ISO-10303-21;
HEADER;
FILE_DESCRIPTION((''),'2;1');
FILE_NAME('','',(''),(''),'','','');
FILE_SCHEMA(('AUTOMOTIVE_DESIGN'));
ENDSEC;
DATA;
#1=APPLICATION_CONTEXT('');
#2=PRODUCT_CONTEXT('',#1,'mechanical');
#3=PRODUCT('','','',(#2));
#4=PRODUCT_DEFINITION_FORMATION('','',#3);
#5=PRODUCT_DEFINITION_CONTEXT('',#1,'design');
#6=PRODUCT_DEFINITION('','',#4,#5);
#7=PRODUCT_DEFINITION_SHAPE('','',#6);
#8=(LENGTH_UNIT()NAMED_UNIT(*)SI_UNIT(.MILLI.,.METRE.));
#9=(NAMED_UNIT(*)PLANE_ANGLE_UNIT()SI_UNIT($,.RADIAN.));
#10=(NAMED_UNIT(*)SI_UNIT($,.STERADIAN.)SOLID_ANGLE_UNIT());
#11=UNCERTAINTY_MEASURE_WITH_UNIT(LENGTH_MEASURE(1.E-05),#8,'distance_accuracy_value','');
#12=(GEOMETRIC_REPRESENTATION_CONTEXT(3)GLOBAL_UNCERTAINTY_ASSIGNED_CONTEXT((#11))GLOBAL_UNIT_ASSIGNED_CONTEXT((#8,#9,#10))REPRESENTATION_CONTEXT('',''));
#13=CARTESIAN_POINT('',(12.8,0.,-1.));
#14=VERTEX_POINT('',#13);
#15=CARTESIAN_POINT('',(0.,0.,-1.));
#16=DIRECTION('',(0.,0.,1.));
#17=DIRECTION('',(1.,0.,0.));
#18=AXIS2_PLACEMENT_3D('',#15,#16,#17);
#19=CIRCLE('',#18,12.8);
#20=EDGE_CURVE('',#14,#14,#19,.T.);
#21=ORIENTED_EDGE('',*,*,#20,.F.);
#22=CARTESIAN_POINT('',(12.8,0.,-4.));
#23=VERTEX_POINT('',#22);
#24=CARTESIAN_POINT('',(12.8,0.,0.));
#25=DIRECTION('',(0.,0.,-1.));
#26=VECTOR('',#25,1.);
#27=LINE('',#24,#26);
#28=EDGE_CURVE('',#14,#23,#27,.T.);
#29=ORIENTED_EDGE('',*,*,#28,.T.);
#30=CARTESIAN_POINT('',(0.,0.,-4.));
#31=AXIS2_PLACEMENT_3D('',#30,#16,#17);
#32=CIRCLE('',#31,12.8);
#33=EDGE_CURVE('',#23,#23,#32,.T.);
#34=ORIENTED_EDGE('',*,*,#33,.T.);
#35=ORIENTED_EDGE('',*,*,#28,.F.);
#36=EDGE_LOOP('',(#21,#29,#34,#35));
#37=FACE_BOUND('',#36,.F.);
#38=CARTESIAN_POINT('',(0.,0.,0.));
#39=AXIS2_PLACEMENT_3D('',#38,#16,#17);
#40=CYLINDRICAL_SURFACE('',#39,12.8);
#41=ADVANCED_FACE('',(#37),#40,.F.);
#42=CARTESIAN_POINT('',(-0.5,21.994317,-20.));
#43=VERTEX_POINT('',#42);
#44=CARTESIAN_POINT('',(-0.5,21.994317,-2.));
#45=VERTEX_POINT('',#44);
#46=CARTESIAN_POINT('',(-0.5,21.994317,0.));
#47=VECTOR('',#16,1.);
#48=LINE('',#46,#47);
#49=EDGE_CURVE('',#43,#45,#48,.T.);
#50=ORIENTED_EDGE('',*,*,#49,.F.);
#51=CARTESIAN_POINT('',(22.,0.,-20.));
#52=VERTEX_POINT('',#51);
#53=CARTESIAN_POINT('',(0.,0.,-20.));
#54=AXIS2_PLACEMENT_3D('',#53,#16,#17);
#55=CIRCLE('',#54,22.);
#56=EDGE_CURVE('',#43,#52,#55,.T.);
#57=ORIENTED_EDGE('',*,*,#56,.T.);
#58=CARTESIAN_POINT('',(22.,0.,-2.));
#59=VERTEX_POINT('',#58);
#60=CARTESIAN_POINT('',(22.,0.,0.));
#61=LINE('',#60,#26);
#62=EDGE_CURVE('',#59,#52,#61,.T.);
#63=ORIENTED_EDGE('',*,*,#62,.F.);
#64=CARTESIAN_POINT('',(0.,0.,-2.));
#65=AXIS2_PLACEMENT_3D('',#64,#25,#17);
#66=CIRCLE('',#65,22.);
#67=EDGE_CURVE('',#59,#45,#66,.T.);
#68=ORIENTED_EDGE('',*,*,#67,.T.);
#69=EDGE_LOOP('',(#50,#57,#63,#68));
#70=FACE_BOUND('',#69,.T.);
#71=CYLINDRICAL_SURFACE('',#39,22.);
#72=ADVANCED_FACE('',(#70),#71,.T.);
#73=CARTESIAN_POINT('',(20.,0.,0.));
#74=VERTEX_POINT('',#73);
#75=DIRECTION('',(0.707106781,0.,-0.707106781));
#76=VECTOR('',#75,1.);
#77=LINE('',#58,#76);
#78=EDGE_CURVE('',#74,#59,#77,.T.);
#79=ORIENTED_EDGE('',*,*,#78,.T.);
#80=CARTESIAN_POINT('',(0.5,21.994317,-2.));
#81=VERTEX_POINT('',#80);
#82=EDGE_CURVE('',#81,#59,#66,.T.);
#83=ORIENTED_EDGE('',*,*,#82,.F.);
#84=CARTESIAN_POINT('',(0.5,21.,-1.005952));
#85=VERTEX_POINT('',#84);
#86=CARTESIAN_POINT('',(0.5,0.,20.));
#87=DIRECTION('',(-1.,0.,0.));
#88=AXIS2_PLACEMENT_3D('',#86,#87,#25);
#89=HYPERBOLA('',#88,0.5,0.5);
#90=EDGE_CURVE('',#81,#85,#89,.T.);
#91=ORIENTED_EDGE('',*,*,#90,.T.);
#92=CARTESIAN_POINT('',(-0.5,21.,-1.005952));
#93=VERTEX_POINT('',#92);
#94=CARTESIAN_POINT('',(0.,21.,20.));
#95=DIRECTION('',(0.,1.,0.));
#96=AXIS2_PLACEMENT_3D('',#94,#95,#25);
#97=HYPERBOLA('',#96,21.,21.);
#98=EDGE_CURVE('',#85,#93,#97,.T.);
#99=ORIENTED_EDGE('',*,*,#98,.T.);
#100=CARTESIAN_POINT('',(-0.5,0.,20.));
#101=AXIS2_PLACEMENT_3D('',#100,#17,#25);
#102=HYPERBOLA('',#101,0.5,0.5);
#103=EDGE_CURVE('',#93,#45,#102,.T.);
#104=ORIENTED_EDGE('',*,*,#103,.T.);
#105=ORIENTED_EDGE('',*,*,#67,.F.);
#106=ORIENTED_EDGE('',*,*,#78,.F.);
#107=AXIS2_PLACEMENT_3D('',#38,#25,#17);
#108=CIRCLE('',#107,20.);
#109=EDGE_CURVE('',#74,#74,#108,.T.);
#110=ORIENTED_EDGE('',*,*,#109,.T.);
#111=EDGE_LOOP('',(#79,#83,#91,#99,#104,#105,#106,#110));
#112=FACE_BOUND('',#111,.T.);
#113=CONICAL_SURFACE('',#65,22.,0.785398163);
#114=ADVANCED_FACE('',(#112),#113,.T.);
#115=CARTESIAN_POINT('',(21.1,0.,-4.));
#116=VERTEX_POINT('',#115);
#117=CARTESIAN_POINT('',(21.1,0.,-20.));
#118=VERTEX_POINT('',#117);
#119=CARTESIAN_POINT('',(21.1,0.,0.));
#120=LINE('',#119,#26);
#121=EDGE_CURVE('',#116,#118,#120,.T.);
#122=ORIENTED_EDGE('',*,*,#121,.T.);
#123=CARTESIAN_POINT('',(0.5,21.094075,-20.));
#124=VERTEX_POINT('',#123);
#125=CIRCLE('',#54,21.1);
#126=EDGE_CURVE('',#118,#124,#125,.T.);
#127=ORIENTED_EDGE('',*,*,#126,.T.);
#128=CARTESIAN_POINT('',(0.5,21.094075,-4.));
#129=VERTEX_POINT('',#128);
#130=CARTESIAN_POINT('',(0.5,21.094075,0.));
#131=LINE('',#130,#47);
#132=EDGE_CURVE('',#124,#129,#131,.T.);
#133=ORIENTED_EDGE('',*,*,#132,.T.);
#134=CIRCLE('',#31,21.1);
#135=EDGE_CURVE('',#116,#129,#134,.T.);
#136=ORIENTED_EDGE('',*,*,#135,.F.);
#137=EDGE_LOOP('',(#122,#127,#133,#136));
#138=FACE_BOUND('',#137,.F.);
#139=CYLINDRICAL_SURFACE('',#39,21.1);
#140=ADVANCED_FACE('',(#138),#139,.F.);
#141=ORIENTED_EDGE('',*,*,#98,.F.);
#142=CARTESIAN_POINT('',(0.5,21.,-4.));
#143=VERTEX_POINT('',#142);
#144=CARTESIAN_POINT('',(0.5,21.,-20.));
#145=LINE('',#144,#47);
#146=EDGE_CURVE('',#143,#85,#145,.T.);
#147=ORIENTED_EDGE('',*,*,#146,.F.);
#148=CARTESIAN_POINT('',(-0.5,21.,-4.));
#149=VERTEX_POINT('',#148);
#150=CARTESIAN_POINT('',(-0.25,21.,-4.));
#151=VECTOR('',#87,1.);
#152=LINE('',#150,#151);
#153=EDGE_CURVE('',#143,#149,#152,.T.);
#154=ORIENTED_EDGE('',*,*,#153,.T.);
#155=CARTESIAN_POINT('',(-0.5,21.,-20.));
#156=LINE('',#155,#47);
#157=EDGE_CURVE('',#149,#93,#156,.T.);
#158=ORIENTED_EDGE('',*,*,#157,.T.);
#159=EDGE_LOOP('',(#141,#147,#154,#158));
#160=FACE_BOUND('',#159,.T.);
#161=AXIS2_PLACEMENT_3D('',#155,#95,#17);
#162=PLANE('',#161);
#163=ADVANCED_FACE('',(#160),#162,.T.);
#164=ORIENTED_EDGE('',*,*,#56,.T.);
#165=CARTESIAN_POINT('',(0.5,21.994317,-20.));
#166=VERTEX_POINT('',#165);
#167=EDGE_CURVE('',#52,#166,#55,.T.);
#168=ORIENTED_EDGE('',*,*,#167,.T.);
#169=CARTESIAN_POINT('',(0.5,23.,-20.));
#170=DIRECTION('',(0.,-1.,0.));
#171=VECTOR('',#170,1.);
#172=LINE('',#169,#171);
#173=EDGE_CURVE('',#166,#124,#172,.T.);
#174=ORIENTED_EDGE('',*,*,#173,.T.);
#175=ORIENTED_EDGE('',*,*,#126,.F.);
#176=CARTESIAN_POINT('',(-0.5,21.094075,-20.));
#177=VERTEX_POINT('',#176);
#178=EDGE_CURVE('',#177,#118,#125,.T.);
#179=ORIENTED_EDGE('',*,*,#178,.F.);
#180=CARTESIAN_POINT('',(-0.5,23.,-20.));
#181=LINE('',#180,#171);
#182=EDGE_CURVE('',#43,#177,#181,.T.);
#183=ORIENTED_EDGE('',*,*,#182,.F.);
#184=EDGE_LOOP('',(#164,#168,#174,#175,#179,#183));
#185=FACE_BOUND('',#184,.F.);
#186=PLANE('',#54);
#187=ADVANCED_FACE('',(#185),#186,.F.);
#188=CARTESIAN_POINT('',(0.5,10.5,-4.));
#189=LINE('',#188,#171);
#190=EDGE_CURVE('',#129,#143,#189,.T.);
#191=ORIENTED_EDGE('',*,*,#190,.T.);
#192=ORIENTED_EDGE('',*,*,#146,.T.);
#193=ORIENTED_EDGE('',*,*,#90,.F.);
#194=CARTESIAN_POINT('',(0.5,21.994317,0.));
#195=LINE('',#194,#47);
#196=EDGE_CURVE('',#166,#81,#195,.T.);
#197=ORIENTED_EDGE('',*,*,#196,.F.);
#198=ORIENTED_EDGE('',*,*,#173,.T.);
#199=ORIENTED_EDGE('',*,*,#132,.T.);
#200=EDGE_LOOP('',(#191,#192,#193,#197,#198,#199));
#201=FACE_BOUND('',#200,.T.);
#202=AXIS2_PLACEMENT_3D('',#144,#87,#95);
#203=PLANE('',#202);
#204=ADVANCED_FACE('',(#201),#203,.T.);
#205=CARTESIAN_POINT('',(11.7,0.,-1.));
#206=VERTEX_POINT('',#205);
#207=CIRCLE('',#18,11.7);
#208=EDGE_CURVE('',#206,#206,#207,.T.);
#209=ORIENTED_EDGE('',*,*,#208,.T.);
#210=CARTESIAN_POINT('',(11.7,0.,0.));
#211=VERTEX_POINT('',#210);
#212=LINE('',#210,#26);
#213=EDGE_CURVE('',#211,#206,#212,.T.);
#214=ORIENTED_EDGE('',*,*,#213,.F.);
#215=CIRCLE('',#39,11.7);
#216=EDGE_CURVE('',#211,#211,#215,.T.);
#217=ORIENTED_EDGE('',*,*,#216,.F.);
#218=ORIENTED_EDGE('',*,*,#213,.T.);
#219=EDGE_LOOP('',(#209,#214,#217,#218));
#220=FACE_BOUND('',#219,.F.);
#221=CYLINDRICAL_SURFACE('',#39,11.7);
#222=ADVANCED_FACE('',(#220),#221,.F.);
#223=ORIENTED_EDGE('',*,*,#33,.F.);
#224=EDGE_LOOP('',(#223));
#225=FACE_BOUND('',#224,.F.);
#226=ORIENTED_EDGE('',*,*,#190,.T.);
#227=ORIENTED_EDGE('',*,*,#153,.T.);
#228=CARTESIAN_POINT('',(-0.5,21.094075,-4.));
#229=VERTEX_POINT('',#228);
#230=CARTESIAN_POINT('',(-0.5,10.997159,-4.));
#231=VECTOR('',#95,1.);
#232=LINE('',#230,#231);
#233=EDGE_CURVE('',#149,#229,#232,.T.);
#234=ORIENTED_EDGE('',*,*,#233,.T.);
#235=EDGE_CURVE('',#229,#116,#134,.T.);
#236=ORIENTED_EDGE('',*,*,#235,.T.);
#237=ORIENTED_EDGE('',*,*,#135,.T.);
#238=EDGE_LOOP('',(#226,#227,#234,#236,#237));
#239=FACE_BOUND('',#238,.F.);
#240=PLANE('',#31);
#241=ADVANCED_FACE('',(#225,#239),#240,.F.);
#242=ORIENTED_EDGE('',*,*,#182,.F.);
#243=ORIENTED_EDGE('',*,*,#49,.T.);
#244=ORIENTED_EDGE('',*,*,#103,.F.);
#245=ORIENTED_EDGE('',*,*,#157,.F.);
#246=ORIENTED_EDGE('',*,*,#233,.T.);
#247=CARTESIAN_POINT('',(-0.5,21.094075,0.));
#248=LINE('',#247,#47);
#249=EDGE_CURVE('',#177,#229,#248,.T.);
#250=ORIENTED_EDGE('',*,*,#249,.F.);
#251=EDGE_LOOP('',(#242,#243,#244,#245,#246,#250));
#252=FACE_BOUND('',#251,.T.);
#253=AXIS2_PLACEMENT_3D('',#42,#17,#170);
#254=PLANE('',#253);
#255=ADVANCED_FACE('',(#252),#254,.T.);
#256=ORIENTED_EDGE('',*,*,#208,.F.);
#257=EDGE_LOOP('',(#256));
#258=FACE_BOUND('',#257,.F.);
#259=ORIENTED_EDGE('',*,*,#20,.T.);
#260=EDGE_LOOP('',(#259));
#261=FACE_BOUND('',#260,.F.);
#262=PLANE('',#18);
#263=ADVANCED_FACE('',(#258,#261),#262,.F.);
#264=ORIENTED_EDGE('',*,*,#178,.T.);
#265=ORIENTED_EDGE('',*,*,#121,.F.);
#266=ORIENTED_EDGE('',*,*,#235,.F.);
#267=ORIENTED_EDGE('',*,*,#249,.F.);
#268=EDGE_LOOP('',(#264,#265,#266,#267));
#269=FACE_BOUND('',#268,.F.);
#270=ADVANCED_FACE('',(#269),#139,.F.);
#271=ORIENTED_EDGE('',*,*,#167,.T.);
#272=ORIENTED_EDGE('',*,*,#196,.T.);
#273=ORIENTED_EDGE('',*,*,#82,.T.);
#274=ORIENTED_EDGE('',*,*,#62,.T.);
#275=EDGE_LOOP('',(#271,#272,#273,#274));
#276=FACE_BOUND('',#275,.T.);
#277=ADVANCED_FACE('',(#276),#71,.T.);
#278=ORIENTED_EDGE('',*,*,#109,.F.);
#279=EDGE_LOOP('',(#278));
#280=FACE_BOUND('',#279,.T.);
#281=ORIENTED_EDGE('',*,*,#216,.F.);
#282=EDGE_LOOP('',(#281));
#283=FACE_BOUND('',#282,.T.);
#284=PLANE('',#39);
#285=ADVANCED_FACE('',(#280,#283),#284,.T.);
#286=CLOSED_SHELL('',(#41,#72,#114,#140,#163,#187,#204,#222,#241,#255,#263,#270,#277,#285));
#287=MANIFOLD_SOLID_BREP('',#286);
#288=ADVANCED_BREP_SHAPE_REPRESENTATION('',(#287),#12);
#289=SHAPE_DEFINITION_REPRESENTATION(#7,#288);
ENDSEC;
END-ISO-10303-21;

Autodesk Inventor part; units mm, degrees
ref_plane "YZ Plane" through (0, 0, 0) normal (1, 0, 0) x (0, 1, 0)
ref_plane "XZ Plane" through (0, 0, 0) normal (0, 1, 0) x (-1, 0, 0)
ref_plane "XY Plane" through (0, 0, 0) normal (0, 0, 1) x (1, 0, 0)
sketch "Sketch1" plane through (0, 0, 0) normal (0, 0, 1) x (1, 0, 0)
  circle A0 centre (0, 0) radius 21.1
  circle A1 centre (0, 0) radius 22
  circle A2 centre (0, 0) radius 12.8
  circle A3 centre (0, 0) radius 11.7
  circle A4 centre (0, 22) radius 0.5
  dimension "d1" = 44
  dimension "d0" = 42.2
  dimension "d2" = 25.6
  dimension "d3" = 23.4
  dimension "d13" = 1
extrude "Extrusion1" add sketch "Sketch1" against normal blind 4 contours A0
extrude "Extrusion2" add sketch "Sketch1" against normal blind 20 contours A1 A4 | A4 A1 picked at (5.1126, 20.6747) picked at (0.0199, 21.8341)
extrude "Extrusion3" add sketch "Sketch1" against normal blind 1 contours A2
chamfer "Chamfer1" distance 2 angle 45 1 edges at (-22, 0, 0)
sketch "Sketch2" plane through (0, 0, -20) normal (0, 0, -1) x (-1, 0, 0)
  circle A0 centre (0, 0) radius 22 projected
  line L0 (0.5, 21) -> (-0.5, 21)
  line L1 (-0.5, 21) -> (-0.5, 23)
  line L2 (-0.5, 23) -> (0.5, 23)
  line L3 (0.5, 23) -> (0.5, 21)
  line L4 (0.5, 21) -> (-0.5, 23) construction
  line L5 (-0.5, 21) -> (0.5, 23) construction
  point P0 (0, 22)
  dimension "d15" = 1
  dimension "d16" = 2
extrude "Extrusion4" cut sketch "Sketch2" against normal blind 20 contours L3 L0 L1 A0 | A0 L1 L2 L3 picked at (-0.0556, 21.3331)
properties part number "PolarizerObjectiveCap-MitutoyoPlanApoBD"
